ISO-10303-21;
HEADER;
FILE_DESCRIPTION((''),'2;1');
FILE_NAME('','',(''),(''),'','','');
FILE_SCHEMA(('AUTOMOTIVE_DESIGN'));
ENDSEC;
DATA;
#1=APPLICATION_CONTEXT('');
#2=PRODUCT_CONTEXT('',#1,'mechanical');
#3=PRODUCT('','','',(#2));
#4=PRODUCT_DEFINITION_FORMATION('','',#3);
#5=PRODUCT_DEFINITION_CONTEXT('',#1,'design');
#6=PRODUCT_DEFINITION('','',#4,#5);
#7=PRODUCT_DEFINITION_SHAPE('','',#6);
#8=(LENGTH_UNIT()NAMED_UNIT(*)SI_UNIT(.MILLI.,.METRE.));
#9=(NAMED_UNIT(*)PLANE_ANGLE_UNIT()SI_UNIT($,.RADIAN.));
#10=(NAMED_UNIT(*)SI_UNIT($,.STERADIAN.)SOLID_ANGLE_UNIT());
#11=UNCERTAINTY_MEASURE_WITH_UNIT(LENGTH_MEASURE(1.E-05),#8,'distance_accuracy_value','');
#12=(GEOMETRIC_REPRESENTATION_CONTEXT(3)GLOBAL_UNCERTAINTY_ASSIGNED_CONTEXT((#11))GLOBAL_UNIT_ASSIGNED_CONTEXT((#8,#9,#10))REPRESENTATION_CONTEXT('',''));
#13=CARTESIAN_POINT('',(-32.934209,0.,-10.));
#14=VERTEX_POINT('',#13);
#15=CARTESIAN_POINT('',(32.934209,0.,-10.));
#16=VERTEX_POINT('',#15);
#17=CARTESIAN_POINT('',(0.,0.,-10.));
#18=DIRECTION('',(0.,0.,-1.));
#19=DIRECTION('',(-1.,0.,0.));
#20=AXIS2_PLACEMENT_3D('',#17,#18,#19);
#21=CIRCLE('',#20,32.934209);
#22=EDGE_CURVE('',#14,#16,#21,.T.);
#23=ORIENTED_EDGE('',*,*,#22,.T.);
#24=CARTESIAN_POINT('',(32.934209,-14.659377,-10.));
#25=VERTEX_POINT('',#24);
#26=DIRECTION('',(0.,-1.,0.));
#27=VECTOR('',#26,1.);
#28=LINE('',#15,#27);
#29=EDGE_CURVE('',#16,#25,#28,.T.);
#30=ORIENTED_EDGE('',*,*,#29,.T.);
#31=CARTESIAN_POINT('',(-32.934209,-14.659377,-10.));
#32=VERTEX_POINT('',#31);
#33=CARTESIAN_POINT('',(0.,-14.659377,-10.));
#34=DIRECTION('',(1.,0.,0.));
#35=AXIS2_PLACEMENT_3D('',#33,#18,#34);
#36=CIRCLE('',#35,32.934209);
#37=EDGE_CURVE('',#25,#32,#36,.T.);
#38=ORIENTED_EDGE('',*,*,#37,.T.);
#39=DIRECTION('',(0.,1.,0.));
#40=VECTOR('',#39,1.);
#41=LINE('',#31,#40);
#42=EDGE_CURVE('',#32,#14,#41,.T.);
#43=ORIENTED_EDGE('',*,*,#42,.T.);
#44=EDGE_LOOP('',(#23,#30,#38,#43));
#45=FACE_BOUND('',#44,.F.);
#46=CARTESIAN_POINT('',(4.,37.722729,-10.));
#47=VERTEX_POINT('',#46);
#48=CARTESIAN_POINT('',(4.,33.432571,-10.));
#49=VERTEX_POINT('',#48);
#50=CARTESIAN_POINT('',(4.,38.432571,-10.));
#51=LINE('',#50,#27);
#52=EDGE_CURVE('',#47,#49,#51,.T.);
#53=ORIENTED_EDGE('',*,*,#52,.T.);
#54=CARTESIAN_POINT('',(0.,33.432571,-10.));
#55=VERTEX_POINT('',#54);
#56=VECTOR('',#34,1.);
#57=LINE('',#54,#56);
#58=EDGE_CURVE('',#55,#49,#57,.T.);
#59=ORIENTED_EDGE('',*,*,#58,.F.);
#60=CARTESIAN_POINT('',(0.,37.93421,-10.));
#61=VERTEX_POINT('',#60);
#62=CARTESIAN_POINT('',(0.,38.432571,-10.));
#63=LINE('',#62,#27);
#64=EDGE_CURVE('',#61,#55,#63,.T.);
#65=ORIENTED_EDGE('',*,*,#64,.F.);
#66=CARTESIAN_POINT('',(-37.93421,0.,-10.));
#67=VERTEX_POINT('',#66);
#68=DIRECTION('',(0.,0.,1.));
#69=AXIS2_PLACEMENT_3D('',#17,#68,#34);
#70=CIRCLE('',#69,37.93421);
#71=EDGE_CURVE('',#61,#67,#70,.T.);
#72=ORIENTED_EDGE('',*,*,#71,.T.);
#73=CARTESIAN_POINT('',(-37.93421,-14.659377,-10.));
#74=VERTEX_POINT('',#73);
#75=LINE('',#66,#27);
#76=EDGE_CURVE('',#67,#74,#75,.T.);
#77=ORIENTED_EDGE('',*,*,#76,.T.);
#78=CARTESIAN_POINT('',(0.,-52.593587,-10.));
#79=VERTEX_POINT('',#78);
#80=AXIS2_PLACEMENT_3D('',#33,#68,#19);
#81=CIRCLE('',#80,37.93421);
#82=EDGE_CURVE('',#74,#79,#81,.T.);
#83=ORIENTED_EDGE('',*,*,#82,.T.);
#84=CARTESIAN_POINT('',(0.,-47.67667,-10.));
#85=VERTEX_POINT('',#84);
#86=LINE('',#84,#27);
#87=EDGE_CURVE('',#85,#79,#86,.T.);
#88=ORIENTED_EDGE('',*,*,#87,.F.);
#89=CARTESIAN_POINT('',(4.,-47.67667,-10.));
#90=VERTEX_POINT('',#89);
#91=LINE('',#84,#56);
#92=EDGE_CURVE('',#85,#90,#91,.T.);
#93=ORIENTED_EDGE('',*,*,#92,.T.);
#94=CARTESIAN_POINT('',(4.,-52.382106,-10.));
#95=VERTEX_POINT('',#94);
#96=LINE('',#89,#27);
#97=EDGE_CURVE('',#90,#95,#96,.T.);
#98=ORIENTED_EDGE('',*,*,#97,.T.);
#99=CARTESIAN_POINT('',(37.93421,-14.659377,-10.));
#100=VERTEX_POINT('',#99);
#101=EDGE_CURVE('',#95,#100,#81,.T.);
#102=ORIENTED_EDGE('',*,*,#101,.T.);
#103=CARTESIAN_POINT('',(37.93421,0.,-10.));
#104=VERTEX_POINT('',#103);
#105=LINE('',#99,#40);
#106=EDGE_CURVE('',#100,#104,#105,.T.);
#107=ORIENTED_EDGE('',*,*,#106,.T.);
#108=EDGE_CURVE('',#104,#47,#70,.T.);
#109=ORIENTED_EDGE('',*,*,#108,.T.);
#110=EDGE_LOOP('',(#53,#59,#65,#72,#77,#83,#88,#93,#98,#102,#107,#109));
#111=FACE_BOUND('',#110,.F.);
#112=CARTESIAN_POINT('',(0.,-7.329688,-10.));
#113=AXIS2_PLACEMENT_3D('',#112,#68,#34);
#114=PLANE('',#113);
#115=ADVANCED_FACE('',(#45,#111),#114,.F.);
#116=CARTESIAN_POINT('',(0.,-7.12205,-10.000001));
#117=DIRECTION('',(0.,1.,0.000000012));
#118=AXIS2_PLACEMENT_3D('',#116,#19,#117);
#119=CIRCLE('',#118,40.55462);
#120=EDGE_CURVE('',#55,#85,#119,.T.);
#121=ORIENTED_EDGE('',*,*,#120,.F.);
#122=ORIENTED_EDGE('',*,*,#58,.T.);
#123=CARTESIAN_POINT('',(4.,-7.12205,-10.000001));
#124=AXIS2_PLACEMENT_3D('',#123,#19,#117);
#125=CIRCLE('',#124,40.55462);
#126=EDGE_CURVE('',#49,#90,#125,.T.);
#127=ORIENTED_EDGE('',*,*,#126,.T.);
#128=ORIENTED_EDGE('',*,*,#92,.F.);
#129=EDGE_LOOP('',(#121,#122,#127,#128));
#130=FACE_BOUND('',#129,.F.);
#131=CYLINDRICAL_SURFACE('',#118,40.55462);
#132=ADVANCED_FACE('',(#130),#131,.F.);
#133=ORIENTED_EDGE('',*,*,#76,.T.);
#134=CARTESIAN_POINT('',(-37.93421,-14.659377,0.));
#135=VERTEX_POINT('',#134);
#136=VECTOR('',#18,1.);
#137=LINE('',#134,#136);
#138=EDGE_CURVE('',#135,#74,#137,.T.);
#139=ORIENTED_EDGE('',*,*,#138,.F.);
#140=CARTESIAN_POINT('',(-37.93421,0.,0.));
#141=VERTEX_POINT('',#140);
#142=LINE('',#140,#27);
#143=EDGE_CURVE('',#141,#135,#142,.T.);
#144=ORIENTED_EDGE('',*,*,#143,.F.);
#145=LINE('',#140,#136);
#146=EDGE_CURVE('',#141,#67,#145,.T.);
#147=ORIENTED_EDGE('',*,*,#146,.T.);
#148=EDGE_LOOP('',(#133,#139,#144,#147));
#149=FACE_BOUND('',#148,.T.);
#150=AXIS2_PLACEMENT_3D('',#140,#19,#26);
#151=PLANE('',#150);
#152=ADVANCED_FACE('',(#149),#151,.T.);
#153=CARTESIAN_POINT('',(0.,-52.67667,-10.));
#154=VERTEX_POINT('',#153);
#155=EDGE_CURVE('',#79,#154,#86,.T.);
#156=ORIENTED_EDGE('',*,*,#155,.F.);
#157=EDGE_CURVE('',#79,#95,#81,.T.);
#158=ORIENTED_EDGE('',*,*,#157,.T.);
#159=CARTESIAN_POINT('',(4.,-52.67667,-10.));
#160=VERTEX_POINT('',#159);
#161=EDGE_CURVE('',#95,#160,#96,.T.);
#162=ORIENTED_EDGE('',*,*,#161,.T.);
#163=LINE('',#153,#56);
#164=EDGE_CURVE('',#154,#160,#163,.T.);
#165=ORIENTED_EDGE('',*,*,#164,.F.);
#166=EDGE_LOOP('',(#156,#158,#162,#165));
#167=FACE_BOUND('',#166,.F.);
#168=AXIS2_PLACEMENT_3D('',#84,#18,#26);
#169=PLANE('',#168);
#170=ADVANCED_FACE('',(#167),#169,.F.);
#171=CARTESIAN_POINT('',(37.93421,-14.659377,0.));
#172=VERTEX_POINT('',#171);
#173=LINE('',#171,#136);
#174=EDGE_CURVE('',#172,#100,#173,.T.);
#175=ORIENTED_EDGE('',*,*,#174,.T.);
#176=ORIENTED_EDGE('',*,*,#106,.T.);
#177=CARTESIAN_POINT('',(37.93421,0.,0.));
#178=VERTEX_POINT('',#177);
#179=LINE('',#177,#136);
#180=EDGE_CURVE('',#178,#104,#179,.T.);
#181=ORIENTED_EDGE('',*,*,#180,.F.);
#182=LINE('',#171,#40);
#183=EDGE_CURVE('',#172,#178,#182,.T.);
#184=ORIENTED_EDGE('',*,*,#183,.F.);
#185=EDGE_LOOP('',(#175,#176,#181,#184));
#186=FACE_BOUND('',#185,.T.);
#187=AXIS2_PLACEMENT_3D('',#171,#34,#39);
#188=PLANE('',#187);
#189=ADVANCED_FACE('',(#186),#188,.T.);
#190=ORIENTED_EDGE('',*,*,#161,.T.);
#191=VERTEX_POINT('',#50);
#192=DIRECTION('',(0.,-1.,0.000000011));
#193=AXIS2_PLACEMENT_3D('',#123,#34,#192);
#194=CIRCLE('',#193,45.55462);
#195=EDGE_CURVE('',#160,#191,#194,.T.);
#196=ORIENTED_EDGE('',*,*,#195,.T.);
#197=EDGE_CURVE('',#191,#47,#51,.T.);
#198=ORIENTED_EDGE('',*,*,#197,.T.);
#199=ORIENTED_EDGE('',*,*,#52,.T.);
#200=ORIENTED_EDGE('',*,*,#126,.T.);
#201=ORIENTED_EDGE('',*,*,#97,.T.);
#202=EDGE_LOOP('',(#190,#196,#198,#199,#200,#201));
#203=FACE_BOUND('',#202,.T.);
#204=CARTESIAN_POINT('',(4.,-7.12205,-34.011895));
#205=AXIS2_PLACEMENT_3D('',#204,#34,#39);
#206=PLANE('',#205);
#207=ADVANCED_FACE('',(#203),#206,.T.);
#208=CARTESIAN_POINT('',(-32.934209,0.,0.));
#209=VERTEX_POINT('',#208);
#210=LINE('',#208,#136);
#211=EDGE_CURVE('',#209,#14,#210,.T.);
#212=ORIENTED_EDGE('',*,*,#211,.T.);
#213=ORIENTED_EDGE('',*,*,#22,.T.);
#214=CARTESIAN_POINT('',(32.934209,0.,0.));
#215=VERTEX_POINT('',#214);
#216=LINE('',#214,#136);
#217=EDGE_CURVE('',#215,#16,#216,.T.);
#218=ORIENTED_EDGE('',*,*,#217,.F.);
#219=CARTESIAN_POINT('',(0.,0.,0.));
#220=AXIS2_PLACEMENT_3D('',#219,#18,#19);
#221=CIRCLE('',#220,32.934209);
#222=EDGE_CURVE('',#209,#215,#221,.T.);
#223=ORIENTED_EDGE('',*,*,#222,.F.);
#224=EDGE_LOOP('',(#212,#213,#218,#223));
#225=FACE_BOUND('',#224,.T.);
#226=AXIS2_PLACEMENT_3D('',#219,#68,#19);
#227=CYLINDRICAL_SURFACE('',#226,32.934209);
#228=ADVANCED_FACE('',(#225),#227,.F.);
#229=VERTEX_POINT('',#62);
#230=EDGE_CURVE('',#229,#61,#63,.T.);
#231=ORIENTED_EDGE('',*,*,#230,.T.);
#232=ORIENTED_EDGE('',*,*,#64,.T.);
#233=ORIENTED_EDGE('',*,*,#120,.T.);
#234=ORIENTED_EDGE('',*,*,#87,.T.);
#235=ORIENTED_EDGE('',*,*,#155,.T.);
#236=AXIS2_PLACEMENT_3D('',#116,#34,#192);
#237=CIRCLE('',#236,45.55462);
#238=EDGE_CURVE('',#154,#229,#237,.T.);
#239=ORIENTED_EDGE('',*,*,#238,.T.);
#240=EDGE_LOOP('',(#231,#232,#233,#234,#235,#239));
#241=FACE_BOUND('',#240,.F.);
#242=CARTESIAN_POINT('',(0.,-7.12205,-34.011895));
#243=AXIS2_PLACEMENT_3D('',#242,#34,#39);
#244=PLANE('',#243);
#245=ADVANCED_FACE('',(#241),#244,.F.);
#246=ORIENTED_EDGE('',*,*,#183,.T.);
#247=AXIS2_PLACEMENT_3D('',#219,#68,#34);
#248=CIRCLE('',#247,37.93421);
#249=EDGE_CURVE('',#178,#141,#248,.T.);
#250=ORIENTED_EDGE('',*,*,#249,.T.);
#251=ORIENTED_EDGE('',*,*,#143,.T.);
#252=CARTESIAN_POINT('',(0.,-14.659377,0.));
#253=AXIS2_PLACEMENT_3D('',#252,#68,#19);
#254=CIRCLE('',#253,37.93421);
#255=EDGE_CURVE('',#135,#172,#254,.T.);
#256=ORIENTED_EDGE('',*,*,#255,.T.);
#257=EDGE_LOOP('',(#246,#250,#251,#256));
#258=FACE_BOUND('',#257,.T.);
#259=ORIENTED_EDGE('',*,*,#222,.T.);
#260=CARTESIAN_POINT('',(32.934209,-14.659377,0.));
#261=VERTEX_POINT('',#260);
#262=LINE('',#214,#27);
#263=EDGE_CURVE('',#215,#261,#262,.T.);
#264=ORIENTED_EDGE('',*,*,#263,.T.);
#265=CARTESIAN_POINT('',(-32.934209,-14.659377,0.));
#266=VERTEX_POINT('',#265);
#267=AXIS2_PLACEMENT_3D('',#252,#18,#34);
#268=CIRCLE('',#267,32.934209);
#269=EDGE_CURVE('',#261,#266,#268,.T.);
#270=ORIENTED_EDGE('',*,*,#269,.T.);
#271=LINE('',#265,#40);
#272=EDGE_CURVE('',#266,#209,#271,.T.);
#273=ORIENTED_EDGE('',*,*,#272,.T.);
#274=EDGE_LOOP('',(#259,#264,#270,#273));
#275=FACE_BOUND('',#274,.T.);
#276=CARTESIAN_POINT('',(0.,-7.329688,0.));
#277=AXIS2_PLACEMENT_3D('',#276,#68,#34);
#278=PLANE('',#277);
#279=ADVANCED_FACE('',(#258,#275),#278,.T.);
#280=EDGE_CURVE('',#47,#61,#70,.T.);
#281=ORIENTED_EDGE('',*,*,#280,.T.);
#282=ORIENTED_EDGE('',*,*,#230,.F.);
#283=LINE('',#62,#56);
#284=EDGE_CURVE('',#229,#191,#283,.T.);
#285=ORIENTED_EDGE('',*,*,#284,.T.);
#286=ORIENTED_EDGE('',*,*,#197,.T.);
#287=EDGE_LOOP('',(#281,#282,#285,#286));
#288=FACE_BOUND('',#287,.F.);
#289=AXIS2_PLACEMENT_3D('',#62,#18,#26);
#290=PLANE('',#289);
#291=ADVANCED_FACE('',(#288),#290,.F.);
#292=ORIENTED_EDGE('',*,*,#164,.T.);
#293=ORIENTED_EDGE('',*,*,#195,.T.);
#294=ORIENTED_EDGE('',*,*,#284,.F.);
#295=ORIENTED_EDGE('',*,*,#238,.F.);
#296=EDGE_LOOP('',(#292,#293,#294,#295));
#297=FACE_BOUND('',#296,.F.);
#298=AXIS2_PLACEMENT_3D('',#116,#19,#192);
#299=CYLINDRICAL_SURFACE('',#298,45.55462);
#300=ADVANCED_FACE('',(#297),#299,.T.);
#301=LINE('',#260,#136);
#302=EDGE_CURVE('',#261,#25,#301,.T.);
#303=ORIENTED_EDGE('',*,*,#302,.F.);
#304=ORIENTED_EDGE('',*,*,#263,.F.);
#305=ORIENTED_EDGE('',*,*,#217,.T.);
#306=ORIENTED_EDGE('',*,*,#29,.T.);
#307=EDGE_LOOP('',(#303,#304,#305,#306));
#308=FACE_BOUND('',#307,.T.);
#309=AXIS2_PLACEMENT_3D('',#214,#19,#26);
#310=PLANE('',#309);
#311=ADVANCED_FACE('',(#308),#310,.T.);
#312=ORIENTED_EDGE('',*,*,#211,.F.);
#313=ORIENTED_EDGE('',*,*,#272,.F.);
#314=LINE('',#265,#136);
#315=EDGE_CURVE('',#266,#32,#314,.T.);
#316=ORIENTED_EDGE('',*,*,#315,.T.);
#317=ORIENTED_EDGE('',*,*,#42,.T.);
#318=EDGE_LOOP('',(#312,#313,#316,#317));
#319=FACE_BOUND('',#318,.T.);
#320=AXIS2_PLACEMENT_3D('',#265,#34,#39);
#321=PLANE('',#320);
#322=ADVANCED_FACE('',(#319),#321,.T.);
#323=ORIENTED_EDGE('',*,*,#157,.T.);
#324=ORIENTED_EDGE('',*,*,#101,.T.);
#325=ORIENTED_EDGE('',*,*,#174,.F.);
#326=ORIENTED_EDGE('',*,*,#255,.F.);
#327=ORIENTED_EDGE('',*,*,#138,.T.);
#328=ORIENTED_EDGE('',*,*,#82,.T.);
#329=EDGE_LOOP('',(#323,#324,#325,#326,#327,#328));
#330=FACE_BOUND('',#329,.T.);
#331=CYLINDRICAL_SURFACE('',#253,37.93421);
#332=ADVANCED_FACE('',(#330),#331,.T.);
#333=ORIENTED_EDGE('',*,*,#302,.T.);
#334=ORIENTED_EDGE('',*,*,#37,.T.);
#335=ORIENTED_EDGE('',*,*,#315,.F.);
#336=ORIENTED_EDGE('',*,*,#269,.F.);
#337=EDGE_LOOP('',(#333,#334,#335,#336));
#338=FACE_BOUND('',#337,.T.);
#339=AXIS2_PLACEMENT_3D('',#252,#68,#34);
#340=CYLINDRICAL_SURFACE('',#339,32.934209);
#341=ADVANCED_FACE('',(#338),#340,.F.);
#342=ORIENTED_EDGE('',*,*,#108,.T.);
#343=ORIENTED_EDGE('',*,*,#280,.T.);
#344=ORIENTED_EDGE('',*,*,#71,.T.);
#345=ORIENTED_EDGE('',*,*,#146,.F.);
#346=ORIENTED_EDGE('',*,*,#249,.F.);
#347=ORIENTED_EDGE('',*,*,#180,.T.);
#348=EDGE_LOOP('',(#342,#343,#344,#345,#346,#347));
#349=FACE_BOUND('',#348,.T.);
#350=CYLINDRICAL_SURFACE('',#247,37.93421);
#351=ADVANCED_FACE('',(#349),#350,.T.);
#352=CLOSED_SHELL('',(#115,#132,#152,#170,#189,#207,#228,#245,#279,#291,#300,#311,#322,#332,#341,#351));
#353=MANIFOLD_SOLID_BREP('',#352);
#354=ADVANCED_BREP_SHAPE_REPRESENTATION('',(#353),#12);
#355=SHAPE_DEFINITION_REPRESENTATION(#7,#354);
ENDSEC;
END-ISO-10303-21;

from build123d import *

# Parameters (mm, degrees)
F1_DEPTH = 10
F3_DEPTH = 4


with BuildPart() as f1:
    # F0 (on Top) → F1 (new body)
    with BuildSketch(Plane.XY):
        with BuildLine():
            Line((37.93421, -14.659377), (37.93421, 0))
            ThreePointArc((37.93421, 0), (0, 37.93421), (-37.93421, 0))
            Line((-37.93421, 0), (-37.93421, -14.659377))
            ThreePointArc((-37.93421, -14.659377), (0, -52.593587), (37.93421, -14.659377))
        make_face()
        with BuildLine():
            Line((32.934209, 0), (32.934209, -14.659377))
            ThreePointArc((32.934209, -14.659377), (0, -47.593586), (-32.934209, -14.659377))
            Line((-32.934209, -14.659377), (-32.934209, 0))
            ThreePointArc((-32.934209, 0), (0, 32.934209), (32.934209, 0))
        make_face(mode=Mode.SUBTRACT)
    extrude(amount=-F1_DEPTH)

    # F2 (on Right) → F3 (join)
    with BuildSketch(Plane.YZ):
        with BuildLine():
            Line((-47.67667, -10), (-52.67667, -10))
            ThreePointArc((-52.67667, -10), (-7.12205, -55.554621), (38.432571, -10))
            Line((38.432571, -10), (33.432571, -10))
            ThreePointArc((33.432571, -10), (-7.12205, -50.554621), (-47.67667, -10))
        make_face()
    extrude(amount=F3_DEPTH)


solid = f1.part
